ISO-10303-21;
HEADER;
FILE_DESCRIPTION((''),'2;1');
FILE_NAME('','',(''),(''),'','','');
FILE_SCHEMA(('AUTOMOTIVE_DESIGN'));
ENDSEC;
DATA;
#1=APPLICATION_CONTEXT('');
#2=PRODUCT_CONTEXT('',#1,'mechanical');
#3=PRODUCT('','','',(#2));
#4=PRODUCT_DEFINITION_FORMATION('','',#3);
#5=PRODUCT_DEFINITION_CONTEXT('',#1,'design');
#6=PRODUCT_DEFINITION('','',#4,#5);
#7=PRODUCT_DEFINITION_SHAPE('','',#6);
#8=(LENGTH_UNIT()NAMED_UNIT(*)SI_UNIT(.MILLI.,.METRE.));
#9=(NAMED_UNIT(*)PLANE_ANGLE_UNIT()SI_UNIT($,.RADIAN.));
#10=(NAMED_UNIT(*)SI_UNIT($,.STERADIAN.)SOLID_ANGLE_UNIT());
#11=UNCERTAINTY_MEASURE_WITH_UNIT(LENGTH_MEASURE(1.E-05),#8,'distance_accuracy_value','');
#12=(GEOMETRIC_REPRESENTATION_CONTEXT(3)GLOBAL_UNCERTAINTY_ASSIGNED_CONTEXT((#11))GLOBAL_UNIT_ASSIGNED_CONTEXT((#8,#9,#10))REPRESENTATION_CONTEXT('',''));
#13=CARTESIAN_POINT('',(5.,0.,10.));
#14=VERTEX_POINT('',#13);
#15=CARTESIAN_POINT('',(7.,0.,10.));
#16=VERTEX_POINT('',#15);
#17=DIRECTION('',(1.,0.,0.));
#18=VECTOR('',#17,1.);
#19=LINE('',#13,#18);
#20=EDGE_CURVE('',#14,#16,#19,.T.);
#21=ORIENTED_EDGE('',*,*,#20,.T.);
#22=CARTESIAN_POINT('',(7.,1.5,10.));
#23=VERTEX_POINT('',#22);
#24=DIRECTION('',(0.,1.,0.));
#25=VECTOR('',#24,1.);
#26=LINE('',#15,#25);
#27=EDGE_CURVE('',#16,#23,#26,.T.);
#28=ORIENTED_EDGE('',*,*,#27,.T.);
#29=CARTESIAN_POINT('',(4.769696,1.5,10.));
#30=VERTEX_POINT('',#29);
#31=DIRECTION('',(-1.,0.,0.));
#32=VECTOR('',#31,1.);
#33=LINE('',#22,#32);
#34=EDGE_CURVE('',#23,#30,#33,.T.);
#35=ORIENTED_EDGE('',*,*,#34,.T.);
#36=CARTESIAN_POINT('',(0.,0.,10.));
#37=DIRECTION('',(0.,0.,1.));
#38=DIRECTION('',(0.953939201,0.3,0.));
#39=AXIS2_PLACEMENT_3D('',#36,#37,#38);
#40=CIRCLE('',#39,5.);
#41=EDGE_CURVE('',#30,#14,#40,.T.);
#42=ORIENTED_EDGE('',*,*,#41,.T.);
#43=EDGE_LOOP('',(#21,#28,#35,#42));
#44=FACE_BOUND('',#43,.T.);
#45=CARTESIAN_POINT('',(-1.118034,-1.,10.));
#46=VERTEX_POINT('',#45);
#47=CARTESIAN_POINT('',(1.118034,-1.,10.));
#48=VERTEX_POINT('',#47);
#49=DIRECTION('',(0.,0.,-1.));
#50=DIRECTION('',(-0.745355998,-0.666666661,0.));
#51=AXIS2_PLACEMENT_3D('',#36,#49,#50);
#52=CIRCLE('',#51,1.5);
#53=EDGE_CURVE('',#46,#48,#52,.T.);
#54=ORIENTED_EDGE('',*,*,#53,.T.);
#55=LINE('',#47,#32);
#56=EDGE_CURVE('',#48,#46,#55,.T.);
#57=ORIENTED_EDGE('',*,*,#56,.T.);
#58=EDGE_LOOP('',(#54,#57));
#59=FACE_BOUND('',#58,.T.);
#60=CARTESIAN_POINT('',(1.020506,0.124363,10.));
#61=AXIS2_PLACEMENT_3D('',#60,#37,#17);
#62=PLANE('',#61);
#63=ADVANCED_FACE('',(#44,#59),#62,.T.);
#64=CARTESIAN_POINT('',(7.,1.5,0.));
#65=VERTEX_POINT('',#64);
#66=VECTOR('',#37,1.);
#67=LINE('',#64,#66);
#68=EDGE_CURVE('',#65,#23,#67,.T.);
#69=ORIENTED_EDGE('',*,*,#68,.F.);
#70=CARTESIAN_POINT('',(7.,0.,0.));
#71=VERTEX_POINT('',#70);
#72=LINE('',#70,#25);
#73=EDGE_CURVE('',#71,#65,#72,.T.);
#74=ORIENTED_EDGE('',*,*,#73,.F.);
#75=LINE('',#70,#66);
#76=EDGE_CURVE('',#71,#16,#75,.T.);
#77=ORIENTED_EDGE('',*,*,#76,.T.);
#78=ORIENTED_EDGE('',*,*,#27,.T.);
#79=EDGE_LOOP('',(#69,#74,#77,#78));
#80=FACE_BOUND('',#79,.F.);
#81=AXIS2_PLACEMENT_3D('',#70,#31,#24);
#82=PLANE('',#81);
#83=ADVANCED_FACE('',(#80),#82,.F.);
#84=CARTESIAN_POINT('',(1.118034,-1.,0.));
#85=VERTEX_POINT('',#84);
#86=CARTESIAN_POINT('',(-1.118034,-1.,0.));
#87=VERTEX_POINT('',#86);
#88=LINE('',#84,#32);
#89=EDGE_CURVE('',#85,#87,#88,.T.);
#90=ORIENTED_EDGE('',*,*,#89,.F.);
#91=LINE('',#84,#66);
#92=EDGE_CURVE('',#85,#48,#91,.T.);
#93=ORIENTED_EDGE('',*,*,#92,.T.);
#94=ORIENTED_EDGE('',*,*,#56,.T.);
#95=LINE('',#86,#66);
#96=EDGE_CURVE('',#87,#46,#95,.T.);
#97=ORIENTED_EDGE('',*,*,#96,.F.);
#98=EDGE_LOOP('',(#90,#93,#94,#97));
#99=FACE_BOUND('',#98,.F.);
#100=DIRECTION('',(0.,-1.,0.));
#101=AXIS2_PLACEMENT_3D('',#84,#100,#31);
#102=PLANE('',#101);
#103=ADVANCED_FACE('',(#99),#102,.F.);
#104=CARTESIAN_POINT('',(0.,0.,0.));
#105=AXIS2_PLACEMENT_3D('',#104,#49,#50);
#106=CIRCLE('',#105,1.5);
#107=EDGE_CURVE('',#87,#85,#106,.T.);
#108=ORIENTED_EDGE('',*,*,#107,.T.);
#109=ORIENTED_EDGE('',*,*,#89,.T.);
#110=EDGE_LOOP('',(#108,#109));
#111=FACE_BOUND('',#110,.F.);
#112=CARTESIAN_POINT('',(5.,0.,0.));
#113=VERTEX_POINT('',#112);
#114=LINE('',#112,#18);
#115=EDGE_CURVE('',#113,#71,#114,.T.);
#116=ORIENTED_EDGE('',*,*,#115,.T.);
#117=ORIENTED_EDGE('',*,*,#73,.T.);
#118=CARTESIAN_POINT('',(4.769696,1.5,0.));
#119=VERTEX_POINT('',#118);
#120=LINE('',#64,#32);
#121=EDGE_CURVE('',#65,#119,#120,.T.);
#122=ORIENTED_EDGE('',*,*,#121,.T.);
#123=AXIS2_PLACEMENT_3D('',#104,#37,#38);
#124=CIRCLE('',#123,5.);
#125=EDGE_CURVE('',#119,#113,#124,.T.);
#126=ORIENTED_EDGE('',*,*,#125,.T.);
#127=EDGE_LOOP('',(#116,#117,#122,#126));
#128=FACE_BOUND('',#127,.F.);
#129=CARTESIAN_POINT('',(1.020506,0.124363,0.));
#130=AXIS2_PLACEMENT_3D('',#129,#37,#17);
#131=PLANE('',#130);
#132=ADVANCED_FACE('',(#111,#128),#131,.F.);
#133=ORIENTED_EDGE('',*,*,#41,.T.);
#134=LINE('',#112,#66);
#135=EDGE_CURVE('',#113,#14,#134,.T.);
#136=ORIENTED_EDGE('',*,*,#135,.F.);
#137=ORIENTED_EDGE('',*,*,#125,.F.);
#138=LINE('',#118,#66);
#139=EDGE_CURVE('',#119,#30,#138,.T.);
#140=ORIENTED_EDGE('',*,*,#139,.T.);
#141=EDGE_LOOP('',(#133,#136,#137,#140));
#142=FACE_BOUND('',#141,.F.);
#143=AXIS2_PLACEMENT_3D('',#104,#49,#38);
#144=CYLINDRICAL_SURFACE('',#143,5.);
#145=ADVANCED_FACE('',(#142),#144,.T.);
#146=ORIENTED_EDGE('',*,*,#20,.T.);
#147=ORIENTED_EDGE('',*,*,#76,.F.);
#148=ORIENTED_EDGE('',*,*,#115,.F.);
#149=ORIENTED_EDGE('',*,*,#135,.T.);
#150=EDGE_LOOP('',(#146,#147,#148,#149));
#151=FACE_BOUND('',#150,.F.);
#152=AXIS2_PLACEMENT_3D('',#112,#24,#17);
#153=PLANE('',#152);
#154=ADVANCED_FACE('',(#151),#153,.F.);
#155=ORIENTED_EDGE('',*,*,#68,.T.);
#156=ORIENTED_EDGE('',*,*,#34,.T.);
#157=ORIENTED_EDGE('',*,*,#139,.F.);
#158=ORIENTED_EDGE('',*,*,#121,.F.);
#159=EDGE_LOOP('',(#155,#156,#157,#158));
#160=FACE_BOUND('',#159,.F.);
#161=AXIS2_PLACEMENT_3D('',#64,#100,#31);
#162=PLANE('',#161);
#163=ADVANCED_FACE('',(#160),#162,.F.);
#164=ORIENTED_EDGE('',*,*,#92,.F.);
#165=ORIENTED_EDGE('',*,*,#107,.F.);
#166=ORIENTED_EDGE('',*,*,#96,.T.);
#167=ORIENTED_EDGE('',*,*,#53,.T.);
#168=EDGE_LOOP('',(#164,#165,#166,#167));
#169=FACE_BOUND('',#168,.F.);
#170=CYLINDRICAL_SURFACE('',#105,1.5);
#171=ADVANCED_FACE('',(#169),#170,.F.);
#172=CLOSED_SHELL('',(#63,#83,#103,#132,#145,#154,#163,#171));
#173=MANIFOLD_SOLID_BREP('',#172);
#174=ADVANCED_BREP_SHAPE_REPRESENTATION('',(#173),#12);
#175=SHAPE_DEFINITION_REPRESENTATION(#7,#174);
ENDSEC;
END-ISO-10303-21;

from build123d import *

# Parameters (mm, degrees)
F1_DEPTH = 10
F2_DEPTH = 10


with BuildPart() as f1:
    # F0 (on Top) → F1 (new body)
    with BuildSketch(Plane.XY):
        with BuildLine():
            Line((7, 1.5), (4.769696, 1.5))
            ThreePointArc((4.769696, 1.5), (-4.942089, -0.758788), (5, 0))
            Line((5, 0), (7, 0))
            Line((7, 0), (7, 1.5))
        make_face()
        with BuildLine():
            ThreePointArc((-1.118034, -1), (0, 1.5), (1.118034, -1))
            Line((1.118034, -1), (0, -1))
            Line((0, -1), (-1.118034, -1))
        make_face(mode=Mode.SUBTRACT)
    extrude(amount=F1_DEPTH)

    # F0 (on Top) → F2 (join)
    with BuildSketch(Plane.XY):
        with BuildLine():
            Line((7, 1.5), (4.769696, 1.5))
            ThreePointArc((4.769696, 1.5), (-4.942089, -0.758788), (5, 0))
            Line((5, 0), (7, 0))
            Line((7, 0), (7, 1.5))
        make_face()
        with BuildLine():
            ThreePointArc((-1.118034, -1), (0, 1.5), (1.118034, -1))
            Line((1.118034, -1), (0, -1))
            Line((0, -1), (-1.118034, -1))
        make_face(mode=Mode.SUBTRACT)
    extrude(amount=F2_DEPTH)


solid = f1.part
